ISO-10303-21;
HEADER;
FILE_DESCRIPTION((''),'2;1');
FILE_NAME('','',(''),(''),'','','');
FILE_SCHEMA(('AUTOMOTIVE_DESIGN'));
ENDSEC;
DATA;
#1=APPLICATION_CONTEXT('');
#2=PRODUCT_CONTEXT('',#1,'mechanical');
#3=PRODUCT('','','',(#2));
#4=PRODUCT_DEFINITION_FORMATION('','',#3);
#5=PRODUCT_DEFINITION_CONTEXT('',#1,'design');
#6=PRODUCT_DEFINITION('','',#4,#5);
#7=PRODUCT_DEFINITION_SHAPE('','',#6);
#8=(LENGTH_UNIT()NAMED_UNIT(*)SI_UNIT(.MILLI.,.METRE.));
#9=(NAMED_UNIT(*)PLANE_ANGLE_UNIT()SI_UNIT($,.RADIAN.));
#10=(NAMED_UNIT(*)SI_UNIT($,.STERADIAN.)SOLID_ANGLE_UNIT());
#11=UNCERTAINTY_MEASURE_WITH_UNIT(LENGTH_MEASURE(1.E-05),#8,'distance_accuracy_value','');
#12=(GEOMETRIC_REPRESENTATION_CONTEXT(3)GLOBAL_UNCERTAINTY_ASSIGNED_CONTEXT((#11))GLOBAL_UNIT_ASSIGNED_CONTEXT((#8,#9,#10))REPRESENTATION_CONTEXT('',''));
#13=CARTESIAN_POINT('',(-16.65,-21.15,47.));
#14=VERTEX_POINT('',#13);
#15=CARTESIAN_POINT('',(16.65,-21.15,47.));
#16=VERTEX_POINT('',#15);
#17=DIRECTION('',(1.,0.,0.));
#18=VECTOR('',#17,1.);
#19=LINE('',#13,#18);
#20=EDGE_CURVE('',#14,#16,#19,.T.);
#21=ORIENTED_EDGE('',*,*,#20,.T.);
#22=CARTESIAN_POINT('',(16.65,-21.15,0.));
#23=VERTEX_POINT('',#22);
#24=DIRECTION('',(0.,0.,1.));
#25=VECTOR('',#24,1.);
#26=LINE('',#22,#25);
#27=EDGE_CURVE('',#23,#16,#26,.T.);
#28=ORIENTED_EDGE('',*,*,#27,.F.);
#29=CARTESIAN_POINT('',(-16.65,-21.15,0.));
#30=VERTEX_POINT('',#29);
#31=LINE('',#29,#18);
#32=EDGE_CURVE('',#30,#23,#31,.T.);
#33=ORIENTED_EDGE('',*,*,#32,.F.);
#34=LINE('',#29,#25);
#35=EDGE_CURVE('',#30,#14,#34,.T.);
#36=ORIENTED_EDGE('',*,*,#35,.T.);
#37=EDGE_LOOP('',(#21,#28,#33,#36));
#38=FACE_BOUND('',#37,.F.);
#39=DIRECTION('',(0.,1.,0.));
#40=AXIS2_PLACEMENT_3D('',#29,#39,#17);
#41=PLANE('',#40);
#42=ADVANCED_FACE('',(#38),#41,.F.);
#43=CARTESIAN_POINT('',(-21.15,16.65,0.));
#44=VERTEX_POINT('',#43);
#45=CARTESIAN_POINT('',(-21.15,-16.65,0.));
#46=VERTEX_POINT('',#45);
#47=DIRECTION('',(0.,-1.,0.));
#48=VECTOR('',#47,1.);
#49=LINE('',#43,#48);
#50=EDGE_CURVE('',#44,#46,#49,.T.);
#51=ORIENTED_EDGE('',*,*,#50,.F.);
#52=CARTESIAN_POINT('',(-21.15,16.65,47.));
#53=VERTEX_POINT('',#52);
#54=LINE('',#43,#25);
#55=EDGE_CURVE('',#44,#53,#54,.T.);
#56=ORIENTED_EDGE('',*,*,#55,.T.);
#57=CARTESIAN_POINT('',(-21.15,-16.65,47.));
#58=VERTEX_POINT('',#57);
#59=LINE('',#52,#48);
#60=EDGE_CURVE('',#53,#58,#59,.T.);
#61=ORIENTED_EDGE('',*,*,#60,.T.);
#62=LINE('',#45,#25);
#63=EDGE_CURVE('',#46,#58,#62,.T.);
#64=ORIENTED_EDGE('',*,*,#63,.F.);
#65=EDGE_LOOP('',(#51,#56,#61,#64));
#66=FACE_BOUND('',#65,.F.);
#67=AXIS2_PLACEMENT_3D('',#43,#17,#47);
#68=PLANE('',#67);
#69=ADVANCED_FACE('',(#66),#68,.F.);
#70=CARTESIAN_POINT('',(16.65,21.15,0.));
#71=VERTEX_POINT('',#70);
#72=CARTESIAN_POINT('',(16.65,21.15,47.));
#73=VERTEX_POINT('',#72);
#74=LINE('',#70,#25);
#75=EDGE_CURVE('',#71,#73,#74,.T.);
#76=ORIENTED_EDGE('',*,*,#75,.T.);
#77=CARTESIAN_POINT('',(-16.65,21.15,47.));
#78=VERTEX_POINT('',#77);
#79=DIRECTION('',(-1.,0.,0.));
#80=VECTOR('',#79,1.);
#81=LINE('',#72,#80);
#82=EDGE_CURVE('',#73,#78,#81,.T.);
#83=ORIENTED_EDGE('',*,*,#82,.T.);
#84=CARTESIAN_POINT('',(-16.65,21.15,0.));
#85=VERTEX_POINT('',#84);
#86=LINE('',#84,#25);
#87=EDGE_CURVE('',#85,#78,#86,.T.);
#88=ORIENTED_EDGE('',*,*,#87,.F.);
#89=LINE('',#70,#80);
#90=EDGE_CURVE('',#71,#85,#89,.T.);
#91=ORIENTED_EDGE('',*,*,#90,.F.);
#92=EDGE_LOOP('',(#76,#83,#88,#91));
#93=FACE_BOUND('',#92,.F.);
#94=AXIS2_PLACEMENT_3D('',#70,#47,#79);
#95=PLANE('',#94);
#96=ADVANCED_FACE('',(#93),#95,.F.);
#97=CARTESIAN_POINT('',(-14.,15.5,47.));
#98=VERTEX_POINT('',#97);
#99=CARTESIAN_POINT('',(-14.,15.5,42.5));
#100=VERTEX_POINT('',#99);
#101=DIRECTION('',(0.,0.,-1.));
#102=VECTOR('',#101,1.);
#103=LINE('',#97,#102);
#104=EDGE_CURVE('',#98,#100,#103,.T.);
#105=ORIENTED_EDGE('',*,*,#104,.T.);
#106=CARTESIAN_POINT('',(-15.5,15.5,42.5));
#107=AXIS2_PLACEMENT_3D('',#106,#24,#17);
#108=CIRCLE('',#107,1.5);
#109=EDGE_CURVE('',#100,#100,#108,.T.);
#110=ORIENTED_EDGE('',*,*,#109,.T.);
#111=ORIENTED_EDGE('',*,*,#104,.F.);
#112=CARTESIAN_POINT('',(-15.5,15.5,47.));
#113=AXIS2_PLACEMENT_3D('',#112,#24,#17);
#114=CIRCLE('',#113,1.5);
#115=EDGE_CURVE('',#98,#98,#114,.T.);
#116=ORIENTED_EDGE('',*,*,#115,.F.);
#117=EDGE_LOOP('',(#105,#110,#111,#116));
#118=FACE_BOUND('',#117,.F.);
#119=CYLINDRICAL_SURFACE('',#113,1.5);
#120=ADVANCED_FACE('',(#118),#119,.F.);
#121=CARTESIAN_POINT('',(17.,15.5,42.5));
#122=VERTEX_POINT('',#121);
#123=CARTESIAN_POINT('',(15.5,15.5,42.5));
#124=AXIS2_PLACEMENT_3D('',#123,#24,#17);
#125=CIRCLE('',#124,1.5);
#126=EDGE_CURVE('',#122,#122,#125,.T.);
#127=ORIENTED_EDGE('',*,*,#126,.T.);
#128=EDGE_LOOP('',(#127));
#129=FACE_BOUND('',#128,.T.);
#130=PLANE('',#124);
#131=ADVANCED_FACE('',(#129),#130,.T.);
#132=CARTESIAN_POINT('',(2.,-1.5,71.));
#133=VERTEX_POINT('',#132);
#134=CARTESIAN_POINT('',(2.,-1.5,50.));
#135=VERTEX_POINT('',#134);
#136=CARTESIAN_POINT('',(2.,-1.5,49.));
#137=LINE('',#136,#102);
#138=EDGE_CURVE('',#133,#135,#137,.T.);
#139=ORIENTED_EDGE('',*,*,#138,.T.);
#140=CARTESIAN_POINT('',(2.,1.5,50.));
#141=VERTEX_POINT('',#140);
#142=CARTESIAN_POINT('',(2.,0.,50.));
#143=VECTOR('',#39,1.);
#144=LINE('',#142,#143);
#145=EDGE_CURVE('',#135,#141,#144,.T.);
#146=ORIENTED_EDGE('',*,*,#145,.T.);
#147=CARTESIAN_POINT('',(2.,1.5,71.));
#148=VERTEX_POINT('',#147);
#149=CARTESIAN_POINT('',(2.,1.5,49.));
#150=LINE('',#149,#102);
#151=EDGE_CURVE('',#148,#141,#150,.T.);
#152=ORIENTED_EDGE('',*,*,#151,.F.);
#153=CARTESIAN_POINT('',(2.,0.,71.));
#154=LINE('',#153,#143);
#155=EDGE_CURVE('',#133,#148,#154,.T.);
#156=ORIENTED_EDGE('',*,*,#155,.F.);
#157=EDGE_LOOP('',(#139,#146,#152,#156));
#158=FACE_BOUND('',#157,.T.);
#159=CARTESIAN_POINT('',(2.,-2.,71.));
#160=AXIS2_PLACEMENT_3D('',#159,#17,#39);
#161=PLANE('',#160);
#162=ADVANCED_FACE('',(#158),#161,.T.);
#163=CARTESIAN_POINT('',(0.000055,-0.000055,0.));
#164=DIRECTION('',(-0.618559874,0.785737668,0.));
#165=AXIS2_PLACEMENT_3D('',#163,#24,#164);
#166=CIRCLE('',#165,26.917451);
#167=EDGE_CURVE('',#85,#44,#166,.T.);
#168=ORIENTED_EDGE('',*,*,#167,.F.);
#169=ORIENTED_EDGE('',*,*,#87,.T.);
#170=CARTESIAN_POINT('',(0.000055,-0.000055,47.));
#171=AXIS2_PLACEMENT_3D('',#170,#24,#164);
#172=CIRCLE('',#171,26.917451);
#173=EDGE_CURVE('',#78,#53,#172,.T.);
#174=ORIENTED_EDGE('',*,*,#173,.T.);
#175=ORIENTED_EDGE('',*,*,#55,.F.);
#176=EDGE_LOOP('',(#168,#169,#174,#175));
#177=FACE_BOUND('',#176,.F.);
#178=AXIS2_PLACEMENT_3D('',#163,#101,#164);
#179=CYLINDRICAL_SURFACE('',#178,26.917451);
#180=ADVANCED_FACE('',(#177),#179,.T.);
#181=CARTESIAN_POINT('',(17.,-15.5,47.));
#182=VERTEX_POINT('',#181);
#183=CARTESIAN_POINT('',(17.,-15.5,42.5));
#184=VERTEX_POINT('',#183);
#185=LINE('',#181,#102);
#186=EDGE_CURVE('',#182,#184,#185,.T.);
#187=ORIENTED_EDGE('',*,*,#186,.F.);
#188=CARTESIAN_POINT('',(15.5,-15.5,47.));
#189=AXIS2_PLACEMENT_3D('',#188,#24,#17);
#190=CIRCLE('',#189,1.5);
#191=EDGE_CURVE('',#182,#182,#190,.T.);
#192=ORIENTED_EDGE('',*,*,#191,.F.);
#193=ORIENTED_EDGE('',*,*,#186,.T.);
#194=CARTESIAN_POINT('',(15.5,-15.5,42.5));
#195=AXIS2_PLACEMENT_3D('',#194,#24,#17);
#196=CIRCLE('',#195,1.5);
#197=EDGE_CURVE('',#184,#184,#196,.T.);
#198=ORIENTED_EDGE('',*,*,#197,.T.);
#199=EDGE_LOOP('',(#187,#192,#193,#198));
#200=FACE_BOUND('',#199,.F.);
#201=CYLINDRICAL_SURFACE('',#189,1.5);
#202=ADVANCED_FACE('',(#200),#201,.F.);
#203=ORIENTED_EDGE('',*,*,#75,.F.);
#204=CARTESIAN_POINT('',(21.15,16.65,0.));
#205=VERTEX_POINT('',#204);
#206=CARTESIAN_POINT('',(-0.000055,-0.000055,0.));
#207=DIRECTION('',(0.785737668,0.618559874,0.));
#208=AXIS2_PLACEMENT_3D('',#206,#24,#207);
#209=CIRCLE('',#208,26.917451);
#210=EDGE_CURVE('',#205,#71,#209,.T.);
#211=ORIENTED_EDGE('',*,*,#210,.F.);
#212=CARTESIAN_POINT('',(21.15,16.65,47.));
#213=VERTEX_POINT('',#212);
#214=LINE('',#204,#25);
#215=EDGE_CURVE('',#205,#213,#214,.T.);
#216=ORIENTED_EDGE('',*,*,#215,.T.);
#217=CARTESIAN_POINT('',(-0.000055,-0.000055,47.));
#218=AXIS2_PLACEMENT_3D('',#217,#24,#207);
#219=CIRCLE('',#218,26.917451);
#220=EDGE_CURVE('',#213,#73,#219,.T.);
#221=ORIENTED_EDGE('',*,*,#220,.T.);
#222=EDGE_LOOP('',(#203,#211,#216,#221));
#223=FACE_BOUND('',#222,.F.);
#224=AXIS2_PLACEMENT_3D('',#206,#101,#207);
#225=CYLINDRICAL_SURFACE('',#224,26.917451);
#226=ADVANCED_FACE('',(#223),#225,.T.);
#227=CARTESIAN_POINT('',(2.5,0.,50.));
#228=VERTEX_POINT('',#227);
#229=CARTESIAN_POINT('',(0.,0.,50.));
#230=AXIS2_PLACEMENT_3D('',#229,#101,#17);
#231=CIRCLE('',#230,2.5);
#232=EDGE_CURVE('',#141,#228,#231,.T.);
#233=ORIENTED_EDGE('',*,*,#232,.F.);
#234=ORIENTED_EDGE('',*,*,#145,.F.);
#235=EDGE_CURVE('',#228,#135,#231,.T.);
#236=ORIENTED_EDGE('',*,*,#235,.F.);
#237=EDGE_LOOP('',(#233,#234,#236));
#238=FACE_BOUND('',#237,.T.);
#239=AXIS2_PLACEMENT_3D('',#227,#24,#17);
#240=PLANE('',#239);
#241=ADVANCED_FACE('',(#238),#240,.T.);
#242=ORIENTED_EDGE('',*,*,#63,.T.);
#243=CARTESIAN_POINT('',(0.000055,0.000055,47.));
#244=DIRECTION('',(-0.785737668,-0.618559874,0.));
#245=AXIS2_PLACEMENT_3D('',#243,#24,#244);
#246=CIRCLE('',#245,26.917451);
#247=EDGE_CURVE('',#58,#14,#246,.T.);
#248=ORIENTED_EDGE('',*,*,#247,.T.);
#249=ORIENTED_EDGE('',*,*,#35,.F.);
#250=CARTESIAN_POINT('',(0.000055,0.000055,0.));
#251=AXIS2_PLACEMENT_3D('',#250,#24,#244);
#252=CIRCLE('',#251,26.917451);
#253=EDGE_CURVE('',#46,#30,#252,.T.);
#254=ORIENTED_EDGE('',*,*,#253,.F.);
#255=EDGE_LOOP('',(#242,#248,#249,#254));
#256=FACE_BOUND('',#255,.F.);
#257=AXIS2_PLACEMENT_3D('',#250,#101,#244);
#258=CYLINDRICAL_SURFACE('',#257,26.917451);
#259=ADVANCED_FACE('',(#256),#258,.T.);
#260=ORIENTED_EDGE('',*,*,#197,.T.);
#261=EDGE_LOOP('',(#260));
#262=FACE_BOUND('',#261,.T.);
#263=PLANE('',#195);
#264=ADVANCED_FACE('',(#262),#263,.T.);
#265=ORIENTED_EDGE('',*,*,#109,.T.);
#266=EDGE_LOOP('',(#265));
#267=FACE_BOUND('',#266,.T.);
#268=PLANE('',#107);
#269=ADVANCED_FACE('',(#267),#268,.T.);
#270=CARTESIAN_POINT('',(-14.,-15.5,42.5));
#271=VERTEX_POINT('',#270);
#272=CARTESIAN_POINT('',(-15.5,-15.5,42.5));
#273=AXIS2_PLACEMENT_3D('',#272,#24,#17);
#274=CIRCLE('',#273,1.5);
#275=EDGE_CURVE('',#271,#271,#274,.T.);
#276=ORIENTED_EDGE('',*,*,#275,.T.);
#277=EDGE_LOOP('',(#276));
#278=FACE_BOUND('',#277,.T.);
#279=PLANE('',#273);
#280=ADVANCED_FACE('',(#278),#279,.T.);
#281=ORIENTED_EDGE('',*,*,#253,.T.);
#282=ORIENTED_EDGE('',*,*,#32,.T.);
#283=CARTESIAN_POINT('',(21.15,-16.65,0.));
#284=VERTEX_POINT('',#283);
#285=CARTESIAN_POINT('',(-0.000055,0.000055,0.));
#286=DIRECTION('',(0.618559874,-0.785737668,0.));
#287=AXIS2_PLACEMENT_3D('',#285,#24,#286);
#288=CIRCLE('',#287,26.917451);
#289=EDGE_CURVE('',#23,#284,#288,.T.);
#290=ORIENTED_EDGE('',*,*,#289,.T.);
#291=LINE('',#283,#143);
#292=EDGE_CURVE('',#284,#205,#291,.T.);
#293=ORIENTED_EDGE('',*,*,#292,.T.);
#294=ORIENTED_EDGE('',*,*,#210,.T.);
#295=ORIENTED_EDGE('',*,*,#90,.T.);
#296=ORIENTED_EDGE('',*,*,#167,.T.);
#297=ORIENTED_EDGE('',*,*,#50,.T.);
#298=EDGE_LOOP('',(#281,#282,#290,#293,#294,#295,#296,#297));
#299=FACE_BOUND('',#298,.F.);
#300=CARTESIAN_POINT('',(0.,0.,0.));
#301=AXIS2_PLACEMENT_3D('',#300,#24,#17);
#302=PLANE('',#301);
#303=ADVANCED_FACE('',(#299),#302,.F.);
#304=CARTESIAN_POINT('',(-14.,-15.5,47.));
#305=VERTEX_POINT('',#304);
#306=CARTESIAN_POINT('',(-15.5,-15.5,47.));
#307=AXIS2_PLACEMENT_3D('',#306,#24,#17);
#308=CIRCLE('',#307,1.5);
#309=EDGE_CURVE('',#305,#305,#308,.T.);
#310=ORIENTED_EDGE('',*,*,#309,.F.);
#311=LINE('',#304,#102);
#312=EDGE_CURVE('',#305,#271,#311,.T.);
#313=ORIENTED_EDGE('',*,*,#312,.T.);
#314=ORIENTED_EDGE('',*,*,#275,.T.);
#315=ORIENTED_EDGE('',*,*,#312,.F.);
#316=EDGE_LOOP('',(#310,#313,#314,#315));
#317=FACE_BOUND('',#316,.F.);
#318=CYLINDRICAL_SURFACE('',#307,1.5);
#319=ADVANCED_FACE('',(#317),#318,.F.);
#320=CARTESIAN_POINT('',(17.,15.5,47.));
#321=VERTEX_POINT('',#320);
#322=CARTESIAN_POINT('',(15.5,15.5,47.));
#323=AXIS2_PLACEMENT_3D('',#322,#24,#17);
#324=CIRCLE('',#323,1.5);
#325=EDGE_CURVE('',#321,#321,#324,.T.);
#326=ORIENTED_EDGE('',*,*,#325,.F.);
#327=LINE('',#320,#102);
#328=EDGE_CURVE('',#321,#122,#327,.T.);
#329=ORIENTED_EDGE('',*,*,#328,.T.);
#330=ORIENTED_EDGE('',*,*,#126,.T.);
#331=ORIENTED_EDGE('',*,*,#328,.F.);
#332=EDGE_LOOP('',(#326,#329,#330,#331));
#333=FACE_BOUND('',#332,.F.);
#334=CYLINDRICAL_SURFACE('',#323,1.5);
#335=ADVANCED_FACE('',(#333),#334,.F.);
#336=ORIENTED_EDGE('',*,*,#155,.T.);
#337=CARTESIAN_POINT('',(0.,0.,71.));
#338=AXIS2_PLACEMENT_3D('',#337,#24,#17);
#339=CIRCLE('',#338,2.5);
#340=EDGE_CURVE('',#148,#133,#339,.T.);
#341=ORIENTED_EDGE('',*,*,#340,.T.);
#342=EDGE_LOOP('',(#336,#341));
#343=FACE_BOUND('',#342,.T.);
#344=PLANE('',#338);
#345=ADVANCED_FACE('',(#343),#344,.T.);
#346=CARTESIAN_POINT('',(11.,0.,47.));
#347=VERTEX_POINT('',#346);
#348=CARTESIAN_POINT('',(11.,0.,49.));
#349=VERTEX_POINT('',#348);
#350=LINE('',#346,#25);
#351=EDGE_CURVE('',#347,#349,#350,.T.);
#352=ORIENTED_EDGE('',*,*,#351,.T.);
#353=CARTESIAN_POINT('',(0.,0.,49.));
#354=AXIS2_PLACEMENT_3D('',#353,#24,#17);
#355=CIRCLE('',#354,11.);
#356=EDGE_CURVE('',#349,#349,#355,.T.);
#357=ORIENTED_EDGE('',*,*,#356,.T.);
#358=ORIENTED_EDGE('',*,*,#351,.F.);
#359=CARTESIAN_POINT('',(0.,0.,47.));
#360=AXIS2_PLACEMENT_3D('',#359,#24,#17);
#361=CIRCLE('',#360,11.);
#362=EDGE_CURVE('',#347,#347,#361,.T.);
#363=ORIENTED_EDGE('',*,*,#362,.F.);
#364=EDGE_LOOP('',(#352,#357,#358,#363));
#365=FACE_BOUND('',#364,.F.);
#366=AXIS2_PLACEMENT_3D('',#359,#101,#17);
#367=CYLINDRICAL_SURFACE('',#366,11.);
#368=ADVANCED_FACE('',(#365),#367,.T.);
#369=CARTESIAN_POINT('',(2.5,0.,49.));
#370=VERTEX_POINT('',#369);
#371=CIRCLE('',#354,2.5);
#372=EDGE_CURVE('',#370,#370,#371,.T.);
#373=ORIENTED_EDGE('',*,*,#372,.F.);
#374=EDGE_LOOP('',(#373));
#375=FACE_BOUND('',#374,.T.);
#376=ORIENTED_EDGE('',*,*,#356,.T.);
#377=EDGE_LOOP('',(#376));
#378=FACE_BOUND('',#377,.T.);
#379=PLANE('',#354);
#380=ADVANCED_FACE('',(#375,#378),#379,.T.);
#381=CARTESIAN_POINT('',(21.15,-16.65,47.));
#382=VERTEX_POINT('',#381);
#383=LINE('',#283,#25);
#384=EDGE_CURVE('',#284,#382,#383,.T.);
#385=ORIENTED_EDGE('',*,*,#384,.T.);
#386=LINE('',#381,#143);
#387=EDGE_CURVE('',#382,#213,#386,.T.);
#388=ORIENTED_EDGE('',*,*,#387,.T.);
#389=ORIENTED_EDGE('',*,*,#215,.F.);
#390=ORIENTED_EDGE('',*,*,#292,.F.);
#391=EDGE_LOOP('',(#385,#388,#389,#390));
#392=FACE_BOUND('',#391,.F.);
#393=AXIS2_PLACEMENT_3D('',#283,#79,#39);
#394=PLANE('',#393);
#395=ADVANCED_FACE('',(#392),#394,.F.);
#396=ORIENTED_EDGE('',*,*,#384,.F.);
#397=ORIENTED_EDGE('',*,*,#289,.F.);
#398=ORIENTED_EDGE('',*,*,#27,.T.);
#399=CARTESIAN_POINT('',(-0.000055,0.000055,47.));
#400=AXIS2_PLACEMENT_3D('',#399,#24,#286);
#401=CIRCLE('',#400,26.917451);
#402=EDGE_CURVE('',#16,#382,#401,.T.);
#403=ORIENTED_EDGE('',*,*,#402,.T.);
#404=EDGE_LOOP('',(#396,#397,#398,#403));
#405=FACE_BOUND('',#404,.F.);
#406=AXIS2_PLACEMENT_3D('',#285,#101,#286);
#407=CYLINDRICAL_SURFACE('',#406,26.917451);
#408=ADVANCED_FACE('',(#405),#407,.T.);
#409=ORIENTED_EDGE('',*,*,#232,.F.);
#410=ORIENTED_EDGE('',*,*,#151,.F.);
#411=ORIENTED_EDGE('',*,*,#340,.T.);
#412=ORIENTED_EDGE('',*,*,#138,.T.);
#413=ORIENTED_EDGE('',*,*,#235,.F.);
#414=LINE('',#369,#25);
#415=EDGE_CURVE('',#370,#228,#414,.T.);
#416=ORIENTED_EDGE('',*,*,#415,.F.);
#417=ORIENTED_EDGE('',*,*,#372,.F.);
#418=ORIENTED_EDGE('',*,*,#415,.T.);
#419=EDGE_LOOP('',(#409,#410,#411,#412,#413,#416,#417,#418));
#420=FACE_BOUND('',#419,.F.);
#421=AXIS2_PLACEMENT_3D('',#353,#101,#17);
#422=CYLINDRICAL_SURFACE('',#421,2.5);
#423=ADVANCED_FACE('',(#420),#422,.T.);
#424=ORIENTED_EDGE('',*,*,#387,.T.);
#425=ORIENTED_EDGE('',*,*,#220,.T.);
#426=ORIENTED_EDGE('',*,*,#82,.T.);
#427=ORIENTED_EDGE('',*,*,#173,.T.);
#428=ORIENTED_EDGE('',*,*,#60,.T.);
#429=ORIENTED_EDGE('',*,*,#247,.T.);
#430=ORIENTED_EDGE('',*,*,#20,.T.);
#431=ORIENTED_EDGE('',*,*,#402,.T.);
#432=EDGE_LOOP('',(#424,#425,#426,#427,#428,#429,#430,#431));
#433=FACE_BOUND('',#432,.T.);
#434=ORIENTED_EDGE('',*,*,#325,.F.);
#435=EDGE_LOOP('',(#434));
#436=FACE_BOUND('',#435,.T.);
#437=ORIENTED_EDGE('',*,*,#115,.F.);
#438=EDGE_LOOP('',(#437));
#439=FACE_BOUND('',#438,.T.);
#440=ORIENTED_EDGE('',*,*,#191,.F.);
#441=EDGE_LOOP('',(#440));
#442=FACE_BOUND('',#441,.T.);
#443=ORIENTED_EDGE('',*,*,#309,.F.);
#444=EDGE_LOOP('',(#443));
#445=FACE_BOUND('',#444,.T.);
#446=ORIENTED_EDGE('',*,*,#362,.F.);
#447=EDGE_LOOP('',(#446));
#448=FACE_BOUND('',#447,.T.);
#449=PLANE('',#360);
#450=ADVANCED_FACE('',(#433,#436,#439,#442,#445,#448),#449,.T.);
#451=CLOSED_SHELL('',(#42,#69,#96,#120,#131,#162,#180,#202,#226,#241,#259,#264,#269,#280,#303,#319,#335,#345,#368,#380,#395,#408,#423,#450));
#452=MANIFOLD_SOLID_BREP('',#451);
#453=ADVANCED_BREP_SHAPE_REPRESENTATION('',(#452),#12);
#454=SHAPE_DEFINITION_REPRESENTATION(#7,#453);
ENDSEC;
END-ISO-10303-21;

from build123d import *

# Parameters (mm, degrees)
PAD_DEPTH       = 47
SKETCH001_R     = 11
PAD001_DEPTH    = 2
SKETCH002_R     = 2.5
PAD002_DEPTH    = 22
SKETCH003_W     = 1
SKETCH003_H     = 4
POCKET_DEPTH    = 21
SKETCH004_R     = 1.5
POCKET001_DEPTH = 4.5


with BuildPart() as part:
    # Sketch → Pad (new body)
    with BuildSketch(Plane.XY):
        with BuildLine():
            Line((-16.65, -21.15), (16.65, -21.15))
            ThreePointArc((16.65, -21.15), (19.033457, -19.033457), (21.15, -16.65))
            Line((21.15, -16.65), (21.15, 16.65))
            ThreePointArc((21.15, 16.65), (19.033457, 19.033457), (16.65, 21.15))
            Line((16.65, 21.15), (-16.65, 21.15))
            ThreePointArc((-16.65, 21.15), (-19.033457, 19.033457), (-21.15, 16.65))
            Line((-21.15, 16.65), (-21.15, -16.65))
            ThreePointArc((-21.15, -16.65), (-19.033457, -19.033457), (-16.65, -21.15))
        make_face()
    extrude(amount=PAD_DEPTH)

    # Sketch001 → Pad001 (new body)
    with BuildSketch(Plane.XY.offset(47)):
        Circle(SKETCH001_R)
    extrude(amount=PAD001_DEPTH)

    # Sketch002 → Pad002 (new body)
    with BuildSketch(Plane.XY.offset(49)):
        Circle(SKETCH002_R)
    extrude(amount=PAD002_DEPTH)

    # Sketch003 → Pocket (cut)
    with BuildSketch(Plane.XY.offset(71)):
        with Locations((2.5, 0)):
            Rectangle(SKETCH003_W, SKETCH003_H)
    extrude(amount=-POCKET_DEPTH, mode=Mode.SUBTRACT)

    # Sketch004 → Pocket001 (cut)
    with BuildSketch(Plane.XY.offset(47)):
        with Locations((-15.5, 15.5)):
            Circle(SKETCH004_R)
        with Locations((15.5, 15.5)):
            Circle(SKETCH004_R)
        with Locations((-15.5, -15.5)):
            Circle(SKETCH004_R)
        with Locations((15.5, -15.5)):
            Circle(SKETCH004_R)
    extrude(amount=-POCKET001_DEPTH, mode=Mode.SUBTRACT)


solid = part.part
